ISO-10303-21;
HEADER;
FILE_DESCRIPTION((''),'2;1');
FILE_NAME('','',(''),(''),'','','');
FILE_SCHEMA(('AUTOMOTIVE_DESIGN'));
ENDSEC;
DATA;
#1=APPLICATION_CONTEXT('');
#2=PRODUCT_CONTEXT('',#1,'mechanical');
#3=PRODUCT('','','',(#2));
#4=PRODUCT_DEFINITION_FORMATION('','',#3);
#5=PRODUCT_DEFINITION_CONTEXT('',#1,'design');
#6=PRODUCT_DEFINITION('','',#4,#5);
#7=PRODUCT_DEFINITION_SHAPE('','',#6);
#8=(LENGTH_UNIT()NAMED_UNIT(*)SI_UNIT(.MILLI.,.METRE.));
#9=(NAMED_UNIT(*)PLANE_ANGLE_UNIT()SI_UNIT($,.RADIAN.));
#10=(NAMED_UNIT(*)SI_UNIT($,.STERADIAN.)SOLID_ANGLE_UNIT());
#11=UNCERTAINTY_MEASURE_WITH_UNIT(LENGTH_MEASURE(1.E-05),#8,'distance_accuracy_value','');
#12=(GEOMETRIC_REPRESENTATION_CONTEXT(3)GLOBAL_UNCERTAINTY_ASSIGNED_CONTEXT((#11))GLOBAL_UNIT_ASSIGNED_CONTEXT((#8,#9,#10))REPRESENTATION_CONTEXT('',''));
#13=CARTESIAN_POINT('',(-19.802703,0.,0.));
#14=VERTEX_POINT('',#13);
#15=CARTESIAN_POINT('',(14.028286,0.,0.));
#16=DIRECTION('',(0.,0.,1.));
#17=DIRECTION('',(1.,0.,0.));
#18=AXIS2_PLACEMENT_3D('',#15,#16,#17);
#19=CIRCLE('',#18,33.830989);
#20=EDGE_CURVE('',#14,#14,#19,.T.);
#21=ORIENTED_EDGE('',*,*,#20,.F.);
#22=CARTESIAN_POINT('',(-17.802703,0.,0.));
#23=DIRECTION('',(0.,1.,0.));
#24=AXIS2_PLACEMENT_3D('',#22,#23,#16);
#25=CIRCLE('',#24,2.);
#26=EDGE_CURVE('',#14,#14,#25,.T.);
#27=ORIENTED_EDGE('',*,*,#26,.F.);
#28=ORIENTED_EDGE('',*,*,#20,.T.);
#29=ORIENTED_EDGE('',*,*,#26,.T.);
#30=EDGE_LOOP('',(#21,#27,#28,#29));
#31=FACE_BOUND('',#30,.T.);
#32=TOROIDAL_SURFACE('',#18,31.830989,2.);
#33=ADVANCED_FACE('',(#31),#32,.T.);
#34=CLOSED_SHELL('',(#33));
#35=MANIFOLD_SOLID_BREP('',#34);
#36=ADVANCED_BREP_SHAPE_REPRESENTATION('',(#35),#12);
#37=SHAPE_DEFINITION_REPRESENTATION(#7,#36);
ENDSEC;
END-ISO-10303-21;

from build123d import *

# Parameters (mm, degrees)
SKETCH3_R = 2


with BuildPart() as part:
    # Sweep1: sweep along a path in Sketch2
    with BuildLine(Plane.XY) as sweep1_path:
        CenterArc((14.028286003, 0), 31.83098862, 0, 360)
    # Sketch3 → Sweep1 (sweep)
    with BuildSketch(Plane(origin=(0, 0, 0), x_dir=(1, 0, 0), z_dir=(0, 1, 0))):
        with Locations((-17.802702617, 0)):
            Circle(SKETCH3_R)
    sweep(path=sweep1_path.line)


solid = part.part
